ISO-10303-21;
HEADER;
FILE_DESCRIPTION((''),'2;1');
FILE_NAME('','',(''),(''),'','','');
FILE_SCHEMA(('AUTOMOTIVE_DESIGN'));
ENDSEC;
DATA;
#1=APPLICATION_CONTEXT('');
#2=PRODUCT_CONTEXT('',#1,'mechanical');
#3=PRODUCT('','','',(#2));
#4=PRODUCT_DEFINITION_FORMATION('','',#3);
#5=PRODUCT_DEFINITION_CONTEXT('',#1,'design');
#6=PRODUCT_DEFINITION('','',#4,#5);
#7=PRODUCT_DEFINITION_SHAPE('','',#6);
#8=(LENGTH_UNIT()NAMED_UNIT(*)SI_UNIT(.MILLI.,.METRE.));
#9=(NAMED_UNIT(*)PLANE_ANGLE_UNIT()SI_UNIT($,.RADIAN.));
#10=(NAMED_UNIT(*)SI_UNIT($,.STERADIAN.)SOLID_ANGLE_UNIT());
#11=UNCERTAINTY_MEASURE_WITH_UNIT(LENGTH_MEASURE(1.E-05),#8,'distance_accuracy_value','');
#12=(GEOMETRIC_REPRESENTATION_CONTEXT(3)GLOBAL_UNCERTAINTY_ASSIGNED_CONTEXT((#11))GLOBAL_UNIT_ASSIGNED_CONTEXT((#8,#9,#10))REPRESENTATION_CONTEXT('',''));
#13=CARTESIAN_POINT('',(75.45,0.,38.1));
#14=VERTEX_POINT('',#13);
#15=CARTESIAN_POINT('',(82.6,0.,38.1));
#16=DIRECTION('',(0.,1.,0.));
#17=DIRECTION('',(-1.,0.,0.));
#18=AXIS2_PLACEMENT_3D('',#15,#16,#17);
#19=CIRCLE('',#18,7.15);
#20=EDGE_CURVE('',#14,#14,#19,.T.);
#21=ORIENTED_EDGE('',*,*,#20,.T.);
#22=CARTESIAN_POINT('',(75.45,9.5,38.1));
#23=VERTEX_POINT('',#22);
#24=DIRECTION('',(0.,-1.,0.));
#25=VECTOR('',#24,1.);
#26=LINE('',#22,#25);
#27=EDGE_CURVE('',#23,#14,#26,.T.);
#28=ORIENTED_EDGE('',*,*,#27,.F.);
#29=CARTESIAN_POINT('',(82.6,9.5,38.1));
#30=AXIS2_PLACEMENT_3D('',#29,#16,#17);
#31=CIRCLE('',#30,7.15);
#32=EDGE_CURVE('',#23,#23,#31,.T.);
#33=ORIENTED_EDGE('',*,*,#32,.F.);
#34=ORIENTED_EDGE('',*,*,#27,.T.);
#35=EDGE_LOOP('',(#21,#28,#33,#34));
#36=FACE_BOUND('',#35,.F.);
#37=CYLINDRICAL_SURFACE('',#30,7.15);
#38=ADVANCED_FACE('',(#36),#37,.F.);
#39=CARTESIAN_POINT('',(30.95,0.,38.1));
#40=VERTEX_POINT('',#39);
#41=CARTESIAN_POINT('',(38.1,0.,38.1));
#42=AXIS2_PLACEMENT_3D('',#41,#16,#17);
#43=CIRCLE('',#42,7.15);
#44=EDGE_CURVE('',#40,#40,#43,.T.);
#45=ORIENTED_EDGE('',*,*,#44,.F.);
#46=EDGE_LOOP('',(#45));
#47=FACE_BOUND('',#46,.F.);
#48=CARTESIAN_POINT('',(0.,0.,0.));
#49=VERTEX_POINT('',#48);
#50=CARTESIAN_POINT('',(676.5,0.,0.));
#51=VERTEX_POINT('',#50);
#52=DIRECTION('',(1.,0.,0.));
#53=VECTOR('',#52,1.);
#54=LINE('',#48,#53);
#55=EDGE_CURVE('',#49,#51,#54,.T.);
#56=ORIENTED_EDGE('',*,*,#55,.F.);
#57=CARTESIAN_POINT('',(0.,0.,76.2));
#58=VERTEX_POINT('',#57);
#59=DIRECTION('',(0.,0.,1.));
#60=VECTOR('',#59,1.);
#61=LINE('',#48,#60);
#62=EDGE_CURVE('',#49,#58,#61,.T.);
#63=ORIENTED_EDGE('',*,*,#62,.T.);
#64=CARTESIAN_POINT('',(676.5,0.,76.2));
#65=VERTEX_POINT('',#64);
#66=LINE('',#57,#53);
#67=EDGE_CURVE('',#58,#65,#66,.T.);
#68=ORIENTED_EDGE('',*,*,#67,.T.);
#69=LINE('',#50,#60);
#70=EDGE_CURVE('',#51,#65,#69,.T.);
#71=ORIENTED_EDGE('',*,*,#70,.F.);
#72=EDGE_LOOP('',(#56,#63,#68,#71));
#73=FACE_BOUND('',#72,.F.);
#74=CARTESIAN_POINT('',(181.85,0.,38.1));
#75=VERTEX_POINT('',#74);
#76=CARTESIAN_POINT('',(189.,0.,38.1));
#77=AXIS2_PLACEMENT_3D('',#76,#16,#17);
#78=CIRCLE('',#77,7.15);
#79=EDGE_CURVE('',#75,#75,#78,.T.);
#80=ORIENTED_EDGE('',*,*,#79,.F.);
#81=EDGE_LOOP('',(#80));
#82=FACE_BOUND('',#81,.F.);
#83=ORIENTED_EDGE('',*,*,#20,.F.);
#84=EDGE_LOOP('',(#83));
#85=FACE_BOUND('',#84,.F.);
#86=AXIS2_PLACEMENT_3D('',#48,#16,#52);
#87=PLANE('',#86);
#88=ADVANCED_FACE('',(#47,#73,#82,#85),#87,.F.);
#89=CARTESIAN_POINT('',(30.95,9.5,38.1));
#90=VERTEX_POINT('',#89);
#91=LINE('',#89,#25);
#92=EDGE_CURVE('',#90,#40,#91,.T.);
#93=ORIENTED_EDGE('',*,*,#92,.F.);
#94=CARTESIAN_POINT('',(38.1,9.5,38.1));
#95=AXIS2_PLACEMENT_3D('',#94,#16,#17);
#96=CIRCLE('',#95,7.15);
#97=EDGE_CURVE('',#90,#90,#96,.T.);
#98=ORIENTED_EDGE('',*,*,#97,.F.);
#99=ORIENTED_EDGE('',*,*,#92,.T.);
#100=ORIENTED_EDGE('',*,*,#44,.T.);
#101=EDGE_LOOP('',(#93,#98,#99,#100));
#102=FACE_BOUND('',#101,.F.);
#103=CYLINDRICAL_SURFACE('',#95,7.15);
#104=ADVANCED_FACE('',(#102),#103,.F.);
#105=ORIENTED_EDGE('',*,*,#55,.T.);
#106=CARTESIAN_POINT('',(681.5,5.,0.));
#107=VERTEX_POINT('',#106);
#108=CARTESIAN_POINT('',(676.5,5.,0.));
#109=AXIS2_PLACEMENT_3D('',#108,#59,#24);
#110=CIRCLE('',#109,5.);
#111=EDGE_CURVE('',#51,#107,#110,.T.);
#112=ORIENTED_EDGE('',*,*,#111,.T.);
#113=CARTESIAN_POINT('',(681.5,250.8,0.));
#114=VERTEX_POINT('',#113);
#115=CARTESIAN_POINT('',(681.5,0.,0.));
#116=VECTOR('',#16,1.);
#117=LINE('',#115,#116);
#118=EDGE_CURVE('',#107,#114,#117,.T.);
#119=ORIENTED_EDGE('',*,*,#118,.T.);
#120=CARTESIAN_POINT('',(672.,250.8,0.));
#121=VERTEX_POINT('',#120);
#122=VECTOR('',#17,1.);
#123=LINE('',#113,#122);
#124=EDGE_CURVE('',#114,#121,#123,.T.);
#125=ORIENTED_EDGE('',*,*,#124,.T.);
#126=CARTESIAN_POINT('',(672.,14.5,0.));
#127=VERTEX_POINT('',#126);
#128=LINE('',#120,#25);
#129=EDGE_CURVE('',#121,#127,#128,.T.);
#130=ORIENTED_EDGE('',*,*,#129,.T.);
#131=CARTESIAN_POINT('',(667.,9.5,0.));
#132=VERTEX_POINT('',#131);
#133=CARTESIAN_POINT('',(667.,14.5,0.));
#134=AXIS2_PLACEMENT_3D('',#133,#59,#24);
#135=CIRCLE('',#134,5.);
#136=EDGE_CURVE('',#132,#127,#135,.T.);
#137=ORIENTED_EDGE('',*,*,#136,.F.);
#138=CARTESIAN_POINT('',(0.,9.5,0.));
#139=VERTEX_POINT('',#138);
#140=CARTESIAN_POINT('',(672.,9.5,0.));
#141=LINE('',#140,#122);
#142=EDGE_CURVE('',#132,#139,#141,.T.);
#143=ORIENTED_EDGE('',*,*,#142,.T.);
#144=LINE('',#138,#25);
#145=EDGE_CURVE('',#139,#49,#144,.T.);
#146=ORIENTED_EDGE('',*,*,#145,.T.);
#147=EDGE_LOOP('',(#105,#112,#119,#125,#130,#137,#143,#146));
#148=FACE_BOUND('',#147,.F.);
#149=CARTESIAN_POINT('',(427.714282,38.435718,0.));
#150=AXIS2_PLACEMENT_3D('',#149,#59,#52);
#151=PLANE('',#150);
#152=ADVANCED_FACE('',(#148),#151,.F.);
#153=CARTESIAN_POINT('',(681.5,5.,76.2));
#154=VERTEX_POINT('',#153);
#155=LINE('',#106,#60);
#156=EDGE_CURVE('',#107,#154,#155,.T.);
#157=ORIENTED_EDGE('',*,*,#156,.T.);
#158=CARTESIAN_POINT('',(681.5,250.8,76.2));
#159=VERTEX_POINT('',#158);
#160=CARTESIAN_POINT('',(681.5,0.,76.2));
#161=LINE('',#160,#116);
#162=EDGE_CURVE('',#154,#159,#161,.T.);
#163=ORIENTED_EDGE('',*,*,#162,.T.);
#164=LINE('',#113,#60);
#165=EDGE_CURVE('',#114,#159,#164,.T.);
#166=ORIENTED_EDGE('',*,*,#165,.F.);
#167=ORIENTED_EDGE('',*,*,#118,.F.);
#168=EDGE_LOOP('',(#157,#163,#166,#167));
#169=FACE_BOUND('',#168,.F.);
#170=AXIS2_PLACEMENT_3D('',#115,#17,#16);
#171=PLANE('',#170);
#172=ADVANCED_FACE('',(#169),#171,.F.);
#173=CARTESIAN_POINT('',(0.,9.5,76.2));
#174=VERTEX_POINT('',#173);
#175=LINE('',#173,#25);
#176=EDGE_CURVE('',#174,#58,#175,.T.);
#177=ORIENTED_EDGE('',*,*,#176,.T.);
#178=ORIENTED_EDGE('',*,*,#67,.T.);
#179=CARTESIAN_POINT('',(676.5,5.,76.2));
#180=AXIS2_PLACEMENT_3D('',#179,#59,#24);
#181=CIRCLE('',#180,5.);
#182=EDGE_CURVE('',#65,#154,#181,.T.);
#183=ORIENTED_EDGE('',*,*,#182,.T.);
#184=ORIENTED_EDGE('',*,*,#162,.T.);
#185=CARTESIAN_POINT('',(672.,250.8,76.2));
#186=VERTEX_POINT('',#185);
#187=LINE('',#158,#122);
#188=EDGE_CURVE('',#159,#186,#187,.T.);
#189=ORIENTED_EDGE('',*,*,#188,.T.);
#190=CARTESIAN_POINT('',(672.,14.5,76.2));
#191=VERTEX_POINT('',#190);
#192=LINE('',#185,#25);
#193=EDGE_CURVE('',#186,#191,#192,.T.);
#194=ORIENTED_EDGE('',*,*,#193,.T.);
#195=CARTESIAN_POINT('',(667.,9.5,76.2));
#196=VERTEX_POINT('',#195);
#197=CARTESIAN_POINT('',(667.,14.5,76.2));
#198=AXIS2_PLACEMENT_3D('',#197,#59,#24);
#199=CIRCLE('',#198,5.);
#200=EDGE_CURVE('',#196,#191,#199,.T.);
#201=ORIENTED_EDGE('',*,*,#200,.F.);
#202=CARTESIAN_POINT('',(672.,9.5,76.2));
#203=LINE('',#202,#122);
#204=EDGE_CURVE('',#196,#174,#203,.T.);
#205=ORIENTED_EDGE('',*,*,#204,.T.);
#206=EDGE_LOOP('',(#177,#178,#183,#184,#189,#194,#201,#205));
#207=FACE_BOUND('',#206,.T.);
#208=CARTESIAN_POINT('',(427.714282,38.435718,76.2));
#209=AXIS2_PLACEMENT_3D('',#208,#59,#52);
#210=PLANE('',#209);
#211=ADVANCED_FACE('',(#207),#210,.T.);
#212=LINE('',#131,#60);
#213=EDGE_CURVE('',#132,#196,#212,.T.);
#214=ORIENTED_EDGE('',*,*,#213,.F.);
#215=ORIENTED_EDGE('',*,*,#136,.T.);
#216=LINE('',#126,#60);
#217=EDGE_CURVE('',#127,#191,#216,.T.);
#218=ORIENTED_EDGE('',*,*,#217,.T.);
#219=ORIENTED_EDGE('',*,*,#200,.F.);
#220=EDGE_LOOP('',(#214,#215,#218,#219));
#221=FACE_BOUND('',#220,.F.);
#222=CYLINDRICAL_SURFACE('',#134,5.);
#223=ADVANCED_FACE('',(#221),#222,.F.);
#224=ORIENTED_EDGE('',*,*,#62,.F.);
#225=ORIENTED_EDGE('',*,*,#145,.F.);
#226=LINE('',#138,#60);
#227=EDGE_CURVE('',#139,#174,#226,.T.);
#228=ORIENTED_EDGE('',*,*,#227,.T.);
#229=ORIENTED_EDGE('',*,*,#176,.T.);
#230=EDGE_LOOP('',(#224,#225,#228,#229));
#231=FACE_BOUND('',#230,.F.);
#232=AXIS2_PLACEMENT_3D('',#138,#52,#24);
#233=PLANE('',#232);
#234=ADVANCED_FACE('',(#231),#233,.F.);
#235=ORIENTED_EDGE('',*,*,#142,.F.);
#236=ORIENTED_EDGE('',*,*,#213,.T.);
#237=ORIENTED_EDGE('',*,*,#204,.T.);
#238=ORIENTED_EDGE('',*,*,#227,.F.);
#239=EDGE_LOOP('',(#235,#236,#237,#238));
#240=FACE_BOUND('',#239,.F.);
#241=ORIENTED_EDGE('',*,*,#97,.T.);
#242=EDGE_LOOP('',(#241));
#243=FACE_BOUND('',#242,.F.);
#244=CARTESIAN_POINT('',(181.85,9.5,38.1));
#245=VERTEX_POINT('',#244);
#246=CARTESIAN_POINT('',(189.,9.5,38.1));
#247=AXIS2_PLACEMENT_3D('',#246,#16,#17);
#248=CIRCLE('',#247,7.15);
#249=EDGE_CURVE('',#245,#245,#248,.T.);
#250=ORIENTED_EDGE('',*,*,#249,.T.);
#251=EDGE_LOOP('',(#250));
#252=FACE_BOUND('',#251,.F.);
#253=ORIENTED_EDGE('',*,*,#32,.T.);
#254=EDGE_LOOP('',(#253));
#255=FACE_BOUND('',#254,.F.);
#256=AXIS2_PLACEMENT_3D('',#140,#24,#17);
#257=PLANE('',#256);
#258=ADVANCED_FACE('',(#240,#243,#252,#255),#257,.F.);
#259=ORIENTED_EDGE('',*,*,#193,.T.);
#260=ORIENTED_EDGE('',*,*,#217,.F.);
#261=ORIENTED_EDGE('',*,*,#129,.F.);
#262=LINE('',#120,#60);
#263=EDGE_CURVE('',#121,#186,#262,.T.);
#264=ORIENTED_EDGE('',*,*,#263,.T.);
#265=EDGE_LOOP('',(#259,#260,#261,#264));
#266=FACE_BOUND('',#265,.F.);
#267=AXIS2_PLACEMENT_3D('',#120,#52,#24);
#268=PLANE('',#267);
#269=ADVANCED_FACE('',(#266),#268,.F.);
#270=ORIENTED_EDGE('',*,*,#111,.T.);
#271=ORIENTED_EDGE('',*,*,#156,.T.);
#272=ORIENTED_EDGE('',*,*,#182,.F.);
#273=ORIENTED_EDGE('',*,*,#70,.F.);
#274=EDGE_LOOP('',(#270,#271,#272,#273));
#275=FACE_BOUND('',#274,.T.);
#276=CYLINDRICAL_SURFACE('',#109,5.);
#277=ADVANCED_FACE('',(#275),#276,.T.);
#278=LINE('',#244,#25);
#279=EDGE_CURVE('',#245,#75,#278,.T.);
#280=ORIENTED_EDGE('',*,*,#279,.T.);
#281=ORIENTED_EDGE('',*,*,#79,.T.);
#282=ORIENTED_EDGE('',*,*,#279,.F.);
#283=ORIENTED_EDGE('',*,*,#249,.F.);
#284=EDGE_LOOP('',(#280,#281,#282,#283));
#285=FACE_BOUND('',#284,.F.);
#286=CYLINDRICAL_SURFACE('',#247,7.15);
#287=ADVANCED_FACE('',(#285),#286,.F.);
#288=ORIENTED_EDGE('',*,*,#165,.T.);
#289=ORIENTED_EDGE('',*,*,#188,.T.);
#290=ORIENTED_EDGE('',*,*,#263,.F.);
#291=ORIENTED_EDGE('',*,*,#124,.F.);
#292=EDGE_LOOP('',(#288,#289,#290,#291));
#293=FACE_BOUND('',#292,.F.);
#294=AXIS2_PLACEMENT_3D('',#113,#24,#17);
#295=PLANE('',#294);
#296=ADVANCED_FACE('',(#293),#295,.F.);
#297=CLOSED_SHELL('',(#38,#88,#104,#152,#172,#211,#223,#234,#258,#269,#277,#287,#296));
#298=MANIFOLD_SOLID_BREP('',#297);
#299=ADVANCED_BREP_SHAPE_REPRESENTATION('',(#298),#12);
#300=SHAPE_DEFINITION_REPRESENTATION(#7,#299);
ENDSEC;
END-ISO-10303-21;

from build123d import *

# Parameters (mm, degrees)
F1_DEPTH = 76.2
F2_R     = 7.15
F3_DEPTH = 9.501
F4_R     = 5
F5_R     = 5


with BuildPart() as f1:
    # F0 (on Top) → F1 (new body)
    with BuildSketch(Plane.XY):
        Polygon((0, 9.5), (0, 0), (681.5, 0), (681.5, 250.8), (672, 250.8), (672, 9.5), align=None)
    extrude(amount=F1_DEPTH)

    # F2 (on face) → F3 (cut, through all)
    with BuildSketch(Plane(origin=(0, 9.5, 0), x_dir=(-1, 0, 0), z_dir=(0, 1, 0))):
        with Locations((-38.1, 38.1)):
            Circle(F2_R)
        with Locations((-82.6, 38.1)):
            Circle(F2_R)
        with Locations((-189, 38.1)):
            Circle(F2_R)
    extrude(amount=-F3_DEPTH, mode=Mode.SUBTRACT)

    # F4
    f4_edges = [f1.edges().sort_by_distance(p)[0] for p in [
        (681.5, 0, 38.1),
    ]]
    fillet(f4_edges, radius=F4_R)

    # F5
    f5_edges = [f1.edges().sort_by_distance(p)[0] for p in [
        (672, 9.5, 38.1),
    ]]
    fillet(f5_edges, radius=F5_R)


solid = f1.part
